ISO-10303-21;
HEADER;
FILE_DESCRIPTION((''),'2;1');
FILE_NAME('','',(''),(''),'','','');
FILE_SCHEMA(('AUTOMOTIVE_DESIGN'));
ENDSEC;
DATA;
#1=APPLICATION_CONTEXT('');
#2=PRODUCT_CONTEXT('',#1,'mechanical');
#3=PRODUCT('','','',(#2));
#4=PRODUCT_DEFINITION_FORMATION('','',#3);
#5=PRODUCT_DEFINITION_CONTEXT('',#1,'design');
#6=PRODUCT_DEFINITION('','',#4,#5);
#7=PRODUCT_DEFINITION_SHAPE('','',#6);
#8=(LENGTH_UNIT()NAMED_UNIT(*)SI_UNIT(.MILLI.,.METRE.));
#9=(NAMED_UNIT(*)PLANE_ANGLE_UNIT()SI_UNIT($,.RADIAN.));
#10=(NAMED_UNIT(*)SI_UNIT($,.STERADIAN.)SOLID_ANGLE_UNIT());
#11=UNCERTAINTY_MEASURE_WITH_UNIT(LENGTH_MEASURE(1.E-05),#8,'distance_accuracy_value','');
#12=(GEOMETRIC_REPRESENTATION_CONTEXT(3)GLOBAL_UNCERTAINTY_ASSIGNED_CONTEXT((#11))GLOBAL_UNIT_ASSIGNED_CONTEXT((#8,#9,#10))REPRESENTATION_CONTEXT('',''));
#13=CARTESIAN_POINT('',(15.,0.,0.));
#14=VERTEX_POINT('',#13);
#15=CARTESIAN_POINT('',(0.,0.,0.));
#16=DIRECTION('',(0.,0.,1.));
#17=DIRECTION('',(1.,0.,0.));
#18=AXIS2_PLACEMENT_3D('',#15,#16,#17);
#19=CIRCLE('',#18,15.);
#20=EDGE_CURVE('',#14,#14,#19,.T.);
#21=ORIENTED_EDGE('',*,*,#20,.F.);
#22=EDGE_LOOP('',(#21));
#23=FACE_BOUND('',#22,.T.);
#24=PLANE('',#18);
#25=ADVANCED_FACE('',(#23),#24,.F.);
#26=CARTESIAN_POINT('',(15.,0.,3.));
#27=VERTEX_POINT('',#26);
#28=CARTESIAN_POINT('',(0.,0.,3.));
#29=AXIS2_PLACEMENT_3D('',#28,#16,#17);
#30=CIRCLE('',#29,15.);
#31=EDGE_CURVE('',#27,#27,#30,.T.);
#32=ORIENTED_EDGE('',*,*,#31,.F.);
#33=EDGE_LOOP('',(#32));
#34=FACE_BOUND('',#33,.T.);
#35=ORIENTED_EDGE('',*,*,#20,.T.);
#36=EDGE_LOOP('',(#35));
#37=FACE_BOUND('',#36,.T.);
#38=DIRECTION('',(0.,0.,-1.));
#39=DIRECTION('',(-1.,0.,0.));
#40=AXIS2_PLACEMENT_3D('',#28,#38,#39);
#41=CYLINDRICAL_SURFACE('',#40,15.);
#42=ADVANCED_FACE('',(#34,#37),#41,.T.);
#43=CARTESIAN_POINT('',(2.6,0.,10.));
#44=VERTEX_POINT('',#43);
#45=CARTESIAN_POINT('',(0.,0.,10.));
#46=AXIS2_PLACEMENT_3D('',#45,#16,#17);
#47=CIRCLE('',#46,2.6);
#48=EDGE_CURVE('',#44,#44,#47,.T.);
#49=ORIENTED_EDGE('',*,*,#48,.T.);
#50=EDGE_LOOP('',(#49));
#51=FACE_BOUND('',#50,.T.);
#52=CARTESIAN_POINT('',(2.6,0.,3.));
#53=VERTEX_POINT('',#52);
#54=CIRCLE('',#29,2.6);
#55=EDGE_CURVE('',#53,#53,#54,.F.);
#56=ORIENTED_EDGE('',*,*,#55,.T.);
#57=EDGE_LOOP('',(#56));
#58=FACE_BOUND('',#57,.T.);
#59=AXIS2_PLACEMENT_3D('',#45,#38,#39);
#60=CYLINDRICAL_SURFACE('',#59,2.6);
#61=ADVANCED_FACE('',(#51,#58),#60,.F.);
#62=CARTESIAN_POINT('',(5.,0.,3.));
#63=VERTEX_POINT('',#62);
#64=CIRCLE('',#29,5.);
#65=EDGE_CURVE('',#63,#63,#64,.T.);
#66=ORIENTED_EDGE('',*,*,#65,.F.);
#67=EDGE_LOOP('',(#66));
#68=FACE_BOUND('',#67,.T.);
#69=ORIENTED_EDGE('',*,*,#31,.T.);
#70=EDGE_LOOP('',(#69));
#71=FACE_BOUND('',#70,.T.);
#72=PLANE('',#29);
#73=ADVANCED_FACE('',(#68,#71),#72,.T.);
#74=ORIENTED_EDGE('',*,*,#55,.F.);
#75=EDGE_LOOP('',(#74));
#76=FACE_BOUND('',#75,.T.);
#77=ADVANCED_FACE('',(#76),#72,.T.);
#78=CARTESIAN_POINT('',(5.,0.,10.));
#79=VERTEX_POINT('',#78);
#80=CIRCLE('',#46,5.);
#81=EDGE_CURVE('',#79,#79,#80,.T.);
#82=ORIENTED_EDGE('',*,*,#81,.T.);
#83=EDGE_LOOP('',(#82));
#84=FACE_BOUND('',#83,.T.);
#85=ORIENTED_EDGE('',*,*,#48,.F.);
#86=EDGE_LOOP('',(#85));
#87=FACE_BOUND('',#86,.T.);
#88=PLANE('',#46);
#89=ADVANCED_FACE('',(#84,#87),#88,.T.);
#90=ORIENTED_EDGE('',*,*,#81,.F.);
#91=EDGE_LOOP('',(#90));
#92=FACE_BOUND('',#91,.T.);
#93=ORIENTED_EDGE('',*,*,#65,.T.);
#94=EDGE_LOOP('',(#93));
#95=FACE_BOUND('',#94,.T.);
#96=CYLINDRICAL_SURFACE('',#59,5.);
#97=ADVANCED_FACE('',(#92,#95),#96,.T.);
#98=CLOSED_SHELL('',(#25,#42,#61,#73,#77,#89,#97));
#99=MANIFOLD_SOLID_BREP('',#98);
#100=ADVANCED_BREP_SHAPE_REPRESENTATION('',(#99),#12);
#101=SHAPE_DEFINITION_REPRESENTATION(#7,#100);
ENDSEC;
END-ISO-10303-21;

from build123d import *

# Parameters (mm, degrees)
SKETCH_1_R      = 15
EXTRUDE_1_DEPTH = 3
SKETCH_2_R      = 5
SKETCH_2_R_2    = 2.6
EXTRUDE_2_DEPTH = 7


with BuildPart() as part:
    # 草图1 → 凸台-拉伸1 (new body)
    with BuildSketch(Plane.XY):
        Circle(SKETCH_1_R)
    extrude(amount=EXTRUDE_1_DEPTH)

    # 草图2 → 凸台-拉伸2 (add)
    with BuildSketch(Plane.XY.offset(3)):
        Circle(SKETCH_2_R)
        Circle(SKETCH_2_R_2, mode=Mode.SUBTRACT)
    extrude(amount=EXTRUDE_2_DEPTH)


solid = part.part
